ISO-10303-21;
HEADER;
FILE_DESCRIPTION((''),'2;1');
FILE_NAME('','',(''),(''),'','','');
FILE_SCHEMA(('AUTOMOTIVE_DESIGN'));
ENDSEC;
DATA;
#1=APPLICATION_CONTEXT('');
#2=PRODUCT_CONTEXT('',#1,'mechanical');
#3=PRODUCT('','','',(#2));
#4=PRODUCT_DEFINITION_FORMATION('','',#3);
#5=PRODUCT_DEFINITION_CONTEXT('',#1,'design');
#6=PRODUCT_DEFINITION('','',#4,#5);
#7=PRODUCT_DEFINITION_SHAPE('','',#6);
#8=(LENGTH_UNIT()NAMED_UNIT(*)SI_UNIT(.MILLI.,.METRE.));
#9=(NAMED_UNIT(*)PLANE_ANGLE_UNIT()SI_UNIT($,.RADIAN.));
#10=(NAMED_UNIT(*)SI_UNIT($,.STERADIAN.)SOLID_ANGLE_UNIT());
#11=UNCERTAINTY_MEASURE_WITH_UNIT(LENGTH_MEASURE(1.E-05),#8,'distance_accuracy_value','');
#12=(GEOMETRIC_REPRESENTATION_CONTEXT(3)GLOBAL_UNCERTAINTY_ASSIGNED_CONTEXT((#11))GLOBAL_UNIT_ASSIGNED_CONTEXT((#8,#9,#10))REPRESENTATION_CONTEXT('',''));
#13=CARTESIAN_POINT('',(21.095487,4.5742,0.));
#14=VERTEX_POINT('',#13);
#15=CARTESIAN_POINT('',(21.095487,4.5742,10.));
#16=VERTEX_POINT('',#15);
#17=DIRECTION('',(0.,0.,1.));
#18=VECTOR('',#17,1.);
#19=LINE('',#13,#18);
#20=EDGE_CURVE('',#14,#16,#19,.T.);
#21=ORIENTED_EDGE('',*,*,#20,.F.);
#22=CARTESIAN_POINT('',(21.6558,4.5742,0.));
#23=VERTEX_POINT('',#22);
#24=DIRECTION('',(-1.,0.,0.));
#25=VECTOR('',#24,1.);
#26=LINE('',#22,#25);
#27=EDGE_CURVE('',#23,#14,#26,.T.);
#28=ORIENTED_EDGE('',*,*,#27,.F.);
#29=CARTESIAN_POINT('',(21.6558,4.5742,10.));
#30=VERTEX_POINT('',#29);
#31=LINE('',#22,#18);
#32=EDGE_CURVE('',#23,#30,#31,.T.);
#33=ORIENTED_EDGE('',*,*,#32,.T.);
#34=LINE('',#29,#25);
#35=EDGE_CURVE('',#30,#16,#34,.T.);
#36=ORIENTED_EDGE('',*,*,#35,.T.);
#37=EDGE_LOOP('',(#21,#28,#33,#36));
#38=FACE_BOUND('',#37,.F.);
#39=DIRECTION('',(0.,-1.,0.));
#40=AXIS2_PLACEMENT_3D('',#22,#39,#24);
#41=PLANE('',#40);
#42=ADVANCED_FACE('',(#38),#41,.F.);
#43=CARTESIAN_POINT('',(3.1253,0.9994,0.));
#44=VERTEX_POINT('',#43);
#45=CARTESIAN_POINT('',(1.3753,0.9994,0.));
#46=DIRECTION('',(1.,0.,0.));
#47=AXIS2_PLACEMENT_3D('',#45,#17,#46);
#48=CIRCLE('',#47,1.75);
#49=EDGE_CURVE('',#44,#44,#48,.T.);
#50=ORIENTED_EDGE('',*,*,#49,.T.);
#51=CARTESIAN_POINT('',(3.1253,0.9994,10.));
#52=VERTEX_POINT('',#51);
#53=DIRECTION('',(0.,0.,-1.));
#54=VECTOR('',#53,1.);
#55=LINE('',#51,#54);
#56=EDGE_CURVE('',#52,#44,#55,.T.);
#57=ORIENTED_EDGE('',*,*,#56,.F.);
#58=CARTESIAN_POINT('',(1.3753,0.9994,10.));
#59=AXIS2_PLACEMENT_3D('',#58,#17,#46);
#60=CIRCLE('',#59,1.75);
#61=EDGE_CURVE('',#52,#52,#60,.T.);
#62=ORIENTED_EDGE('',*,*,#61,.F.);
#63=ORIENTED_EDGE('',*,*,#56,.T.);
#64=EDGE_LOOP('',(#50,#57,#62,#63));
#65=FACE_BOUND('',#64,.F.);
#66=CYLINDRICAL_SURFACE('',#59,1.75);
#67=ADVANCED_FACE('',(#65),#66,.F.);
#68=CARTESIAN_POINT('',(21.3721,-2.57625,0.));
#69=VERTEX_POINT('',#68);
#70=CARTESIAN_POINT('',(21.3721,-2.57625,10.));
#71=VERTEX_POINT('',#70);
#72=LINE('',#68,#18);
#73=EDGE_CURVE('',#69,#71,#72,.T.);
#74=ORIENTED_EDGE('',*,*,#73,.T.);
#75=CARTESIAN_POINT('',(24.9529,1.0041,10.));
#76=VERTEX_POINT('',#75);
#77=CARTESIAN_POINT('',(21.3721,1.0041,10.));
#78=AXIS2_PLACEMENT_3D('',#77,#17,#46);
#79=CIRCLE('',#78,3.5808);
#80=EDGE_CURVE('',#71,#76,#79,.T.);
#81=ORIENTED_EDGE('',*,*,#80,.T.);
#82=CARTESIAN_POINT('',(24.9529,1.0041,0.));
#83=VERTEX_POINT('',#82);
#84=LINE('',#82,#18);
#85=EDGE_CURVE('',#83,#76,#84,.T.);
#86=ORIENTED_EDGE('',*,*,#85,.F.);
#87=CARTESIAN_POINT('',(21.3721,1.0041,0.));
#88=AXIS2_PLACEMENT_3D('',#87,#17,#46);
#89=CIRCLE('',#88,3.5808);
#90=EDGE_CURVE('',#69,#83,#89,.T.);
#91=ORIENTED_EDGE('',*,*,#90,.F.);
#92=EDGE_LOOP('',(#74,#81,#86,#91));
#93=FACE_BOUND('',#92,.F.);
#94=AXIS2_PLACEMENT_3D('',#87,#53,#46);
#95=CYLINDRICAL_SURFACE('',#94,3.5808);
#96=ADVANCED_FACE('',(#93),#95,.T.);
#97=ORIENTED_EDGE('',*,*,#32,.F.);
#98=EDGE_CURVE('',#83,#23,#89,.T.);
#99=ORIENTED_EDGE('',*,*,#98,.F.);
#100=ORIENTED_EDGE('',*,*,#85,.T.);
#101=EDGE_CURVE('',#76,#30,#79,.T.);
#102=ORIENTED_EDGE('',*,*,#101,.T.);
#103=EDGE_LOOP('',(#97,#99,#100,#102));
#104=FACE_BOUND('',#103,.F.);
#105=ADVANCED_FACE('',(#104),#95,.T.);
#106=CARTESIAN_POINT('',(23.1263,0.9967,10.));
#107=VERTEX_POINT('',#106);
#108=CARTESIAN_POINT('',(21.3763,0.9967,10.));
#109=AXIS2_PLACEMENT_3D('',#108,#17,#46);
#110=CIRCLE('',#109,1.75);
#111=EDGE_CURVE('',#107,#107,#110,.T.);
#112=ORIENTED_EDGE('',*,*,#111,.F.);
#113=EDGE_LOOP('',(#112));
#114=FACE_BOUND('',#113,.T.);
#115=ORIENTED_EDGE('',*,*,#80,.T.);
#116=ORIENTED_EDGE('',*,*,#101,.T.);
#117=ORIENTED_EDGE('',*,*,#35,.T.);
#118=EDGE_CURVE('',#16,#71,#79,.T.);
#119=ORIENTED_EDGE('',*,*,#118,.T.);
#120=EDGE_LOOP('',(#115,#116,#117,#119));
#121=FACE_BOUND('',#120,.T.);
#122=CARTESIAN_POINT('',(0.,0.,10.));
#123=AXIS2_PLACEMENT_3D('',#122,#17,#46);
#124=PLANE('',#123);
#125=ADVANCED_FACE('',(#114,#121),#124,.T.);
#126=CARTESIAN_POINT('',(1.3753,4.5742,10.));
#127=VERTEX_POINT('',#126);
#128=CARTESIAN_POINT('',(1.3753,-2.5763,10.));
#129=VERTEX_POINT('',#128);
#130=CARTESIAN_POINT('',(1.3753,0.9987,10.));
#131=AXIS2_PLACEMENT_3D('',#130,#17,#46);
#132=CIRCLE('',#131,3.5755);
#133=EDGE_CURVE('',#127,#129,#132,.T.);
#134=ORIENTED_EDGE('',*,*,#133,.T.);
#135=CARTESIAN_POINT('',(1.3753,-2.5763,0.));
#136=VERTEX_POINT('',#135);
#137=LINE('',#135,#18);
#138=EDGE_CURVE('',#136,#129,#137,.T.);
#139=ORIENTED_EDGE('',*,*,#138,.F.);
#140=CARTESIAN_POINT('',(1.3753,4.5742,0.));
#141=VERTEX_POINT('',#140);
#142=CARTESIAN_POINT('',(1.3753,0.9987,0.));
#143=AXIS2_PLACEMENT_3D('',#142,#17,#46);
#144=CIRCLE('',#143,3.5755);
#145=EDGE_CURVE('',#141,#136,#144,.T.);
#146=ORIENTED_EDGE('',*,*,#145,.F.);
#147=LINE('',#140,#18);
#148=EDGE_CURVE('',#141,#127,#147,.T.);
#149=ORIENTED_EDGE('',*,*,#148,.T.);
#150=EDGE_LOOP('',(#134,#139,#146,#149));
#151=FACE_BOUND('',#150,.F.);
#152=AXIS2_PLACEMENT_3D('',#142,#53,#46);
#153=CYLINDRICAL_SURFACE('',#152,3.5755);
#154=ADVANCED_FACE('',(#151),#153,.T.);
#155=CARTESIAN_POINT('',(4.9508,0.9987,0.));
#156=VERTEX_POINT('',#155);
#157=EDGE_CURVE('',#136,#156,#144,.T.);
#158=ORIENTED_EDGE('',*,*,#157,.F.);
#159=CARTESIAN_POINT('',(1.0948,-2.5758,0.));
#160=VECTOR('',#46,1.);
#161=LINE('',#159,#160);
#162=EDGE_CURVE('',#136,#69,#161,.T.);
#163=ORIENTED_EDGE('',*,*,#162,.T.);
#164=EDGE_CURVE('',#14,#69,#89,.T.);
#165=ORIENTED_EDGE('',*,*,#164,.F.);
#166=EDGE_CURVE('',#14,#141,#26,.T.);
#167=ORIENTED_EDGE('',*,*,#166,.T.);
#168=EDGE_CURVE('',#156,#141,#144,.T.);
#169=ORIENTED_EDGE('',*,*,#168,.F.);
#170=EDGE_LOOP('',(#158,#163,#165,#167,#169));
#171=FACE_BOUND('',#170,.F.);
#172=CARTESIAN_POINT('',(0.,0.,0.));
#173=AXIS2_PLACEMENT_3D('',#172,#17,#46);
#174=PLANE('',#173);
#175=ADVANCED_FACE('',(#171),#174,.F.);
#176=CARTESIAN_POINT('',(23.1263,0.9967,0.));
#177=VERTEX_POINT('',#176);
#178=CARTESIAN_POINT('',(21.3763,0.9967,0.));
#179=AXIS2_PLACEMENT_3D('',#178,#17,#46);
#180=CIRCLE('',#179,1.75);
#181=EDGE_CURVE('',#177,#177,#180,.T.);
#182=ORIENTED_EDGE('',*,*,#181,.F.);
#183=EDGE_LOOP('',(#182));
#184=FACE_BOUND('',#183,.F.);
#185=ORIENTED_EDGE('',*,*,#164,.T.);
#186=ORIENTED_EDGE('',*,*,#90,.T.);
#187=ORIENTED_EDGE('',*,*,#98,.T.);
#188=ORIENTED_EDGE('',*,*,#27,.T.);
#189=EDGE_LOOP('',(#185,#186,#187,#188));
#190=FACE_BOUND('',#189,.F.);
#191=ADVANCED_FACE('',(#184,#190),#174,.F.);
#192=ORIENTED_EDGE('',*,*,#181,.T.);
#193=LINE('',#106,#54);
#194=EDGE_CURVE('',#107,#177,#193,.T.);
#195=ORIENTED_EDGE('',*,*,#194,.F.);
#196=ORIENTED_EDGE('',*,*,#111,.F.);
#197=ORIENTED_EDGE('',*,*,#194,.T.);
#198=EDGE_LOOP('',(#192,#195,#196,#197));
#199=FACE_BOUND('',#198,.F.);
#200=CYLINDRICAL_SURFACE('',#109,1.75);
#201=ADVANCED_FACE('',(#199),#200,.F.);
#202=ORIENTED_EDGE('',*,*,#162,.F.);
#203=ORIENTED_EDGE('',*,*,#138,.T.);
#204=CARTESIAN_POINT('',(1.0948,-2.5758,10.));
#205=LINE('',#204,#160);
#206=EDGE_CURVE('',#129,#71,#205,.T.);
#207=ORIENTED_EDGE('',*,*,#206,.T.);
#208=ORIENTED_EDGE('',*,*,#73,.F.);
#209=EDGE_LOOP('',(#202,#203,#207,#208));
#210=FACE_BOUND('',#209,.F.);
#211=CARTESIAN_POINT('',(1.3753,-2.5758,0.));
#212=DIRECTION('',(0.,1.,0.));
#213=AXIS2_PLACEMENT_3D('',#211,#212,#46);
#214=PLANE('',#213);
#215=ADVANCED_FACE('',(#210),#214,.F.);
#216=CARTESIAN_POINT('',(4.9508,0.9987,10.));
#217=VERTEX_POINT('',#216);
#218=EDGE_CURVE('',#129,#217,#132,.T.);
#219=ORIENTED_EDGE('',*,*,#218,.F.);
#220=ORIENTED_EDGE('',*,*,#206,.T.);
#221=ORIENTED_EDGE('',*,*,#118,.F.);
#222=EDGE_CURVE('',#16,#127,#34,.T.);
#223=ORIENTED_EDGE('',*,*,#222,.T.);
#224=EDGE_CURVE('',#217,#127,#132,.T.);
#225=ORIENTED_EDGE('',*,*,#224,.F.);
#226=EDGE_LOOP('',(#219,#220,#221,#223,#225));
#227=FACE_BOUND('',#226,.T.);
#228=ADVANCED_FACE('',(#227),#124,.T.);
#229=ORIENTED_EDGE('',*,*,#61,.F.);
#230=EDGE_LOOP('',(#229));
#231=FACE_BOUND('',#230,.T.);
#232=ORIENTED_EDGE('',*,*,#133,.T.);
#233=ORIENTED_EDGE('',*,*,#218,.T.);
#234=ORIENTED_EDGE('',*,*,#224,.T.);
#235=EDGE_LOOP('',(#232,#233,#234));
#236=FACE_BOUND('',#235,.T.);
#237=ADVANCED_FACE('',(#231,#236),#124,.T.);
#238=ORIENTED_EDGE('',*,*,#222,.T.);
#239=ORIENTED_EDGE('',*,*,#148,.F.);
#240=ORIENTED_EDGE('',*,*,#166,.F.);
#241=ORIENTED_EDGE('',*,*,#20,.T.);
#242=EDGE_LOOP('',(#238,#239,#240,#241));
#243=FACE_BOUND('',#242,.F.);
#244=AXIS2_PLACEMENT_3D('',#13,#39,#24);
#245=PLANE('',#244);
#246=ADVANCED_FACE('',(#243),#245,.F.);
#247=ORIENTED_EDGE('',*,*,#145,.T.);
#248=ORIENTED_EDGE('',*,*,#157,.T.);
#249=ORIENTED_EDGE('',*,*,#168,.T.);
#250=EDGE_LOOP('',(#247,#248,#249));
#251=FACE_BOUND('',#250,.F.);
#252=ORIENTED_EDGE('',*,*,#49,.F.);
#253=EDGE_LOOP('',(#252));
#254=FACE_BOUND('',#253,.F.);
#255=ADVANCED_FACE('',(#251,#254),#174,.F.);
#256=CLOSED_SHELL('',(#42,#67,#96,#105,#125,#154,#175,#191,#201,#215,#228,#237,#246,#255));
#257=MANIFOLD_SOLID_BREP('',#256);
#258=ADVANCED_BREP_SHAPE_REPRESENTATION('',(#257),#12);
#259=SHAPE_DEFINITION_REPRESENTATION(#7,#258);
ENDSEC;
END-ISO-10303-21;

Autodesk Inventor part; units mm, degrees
ref_plane "YZ Plane" through (0, 0, 0) normal (1, 0, 0) x (0, 1, 0)
ref_plane "XZ Plane" through (0, 0, 0) normal (0, 1, 0) x (-1, 0, 0)
ref_plane "XY Plane" through (0, 0, 0) normal (0, 0, 1) x (1, 0, 0)
sketch "Szkic1" plane through (0, 0, 0) normal (0, 0, 1) x (1, 0, 0)
  line L0 (21.6558, 4.5742) -> (1.0948, 4.5742)
  circle A0 centre (1.3753, 0.9987) radius 3.5755
  circle A1 centre (1.3753, 0.9994) radius 1.7002
  line L1 (1.0948, -2.5758) -> (21.6558, -2.5758)
  circle A2 centre (21.3721, 1.0041) radius 3.5808
  circle A3 centre (21.3763, 0.9967) radius 1.6973
  point P0 (0, 0)
  point P1 (-2.1997, -2.5758)
  point P2 (1.3753, 4.5742)
  point P3 (1.2909, -2.5758)
  point P4 (21.4558, -2.5758)
  point P5 (21.6483, 4.5742)
extrude "Wyciągnięcie proste1" add sketch "Szkic1" along normal blind 10 contours A2 L0 | A2 L1 A0 L0 | A0 picked at (21.9206, 3.8831)
sketch "Szkic3" plane through (0, 0, 10) normal (0, 0, 1) x (1, 0, 0)
  circle A0 centre (1.3753, 0.9994) radius 1.7002 projected
  circle A1 centre (21.3763, 0.9967) radius 1.6973 projected
  circle A2 centre (1.3753, 0.9994) radius 1.75
  circle A3 centre (21.3763, 0.9967) radius 1.6973 projected
  circle A4 centre (21.3763, 0.9967) radius 1.75
  point P0 (0, 0)
  dimension "d13" = 3.5
  dimension "d14" = 3.5
extrude "Wyciągnięcie proste3" cut sketch "Szkic3" against normal through all contours A0 | A1 | A2 | A4
properties part number "ArmMuscle"
